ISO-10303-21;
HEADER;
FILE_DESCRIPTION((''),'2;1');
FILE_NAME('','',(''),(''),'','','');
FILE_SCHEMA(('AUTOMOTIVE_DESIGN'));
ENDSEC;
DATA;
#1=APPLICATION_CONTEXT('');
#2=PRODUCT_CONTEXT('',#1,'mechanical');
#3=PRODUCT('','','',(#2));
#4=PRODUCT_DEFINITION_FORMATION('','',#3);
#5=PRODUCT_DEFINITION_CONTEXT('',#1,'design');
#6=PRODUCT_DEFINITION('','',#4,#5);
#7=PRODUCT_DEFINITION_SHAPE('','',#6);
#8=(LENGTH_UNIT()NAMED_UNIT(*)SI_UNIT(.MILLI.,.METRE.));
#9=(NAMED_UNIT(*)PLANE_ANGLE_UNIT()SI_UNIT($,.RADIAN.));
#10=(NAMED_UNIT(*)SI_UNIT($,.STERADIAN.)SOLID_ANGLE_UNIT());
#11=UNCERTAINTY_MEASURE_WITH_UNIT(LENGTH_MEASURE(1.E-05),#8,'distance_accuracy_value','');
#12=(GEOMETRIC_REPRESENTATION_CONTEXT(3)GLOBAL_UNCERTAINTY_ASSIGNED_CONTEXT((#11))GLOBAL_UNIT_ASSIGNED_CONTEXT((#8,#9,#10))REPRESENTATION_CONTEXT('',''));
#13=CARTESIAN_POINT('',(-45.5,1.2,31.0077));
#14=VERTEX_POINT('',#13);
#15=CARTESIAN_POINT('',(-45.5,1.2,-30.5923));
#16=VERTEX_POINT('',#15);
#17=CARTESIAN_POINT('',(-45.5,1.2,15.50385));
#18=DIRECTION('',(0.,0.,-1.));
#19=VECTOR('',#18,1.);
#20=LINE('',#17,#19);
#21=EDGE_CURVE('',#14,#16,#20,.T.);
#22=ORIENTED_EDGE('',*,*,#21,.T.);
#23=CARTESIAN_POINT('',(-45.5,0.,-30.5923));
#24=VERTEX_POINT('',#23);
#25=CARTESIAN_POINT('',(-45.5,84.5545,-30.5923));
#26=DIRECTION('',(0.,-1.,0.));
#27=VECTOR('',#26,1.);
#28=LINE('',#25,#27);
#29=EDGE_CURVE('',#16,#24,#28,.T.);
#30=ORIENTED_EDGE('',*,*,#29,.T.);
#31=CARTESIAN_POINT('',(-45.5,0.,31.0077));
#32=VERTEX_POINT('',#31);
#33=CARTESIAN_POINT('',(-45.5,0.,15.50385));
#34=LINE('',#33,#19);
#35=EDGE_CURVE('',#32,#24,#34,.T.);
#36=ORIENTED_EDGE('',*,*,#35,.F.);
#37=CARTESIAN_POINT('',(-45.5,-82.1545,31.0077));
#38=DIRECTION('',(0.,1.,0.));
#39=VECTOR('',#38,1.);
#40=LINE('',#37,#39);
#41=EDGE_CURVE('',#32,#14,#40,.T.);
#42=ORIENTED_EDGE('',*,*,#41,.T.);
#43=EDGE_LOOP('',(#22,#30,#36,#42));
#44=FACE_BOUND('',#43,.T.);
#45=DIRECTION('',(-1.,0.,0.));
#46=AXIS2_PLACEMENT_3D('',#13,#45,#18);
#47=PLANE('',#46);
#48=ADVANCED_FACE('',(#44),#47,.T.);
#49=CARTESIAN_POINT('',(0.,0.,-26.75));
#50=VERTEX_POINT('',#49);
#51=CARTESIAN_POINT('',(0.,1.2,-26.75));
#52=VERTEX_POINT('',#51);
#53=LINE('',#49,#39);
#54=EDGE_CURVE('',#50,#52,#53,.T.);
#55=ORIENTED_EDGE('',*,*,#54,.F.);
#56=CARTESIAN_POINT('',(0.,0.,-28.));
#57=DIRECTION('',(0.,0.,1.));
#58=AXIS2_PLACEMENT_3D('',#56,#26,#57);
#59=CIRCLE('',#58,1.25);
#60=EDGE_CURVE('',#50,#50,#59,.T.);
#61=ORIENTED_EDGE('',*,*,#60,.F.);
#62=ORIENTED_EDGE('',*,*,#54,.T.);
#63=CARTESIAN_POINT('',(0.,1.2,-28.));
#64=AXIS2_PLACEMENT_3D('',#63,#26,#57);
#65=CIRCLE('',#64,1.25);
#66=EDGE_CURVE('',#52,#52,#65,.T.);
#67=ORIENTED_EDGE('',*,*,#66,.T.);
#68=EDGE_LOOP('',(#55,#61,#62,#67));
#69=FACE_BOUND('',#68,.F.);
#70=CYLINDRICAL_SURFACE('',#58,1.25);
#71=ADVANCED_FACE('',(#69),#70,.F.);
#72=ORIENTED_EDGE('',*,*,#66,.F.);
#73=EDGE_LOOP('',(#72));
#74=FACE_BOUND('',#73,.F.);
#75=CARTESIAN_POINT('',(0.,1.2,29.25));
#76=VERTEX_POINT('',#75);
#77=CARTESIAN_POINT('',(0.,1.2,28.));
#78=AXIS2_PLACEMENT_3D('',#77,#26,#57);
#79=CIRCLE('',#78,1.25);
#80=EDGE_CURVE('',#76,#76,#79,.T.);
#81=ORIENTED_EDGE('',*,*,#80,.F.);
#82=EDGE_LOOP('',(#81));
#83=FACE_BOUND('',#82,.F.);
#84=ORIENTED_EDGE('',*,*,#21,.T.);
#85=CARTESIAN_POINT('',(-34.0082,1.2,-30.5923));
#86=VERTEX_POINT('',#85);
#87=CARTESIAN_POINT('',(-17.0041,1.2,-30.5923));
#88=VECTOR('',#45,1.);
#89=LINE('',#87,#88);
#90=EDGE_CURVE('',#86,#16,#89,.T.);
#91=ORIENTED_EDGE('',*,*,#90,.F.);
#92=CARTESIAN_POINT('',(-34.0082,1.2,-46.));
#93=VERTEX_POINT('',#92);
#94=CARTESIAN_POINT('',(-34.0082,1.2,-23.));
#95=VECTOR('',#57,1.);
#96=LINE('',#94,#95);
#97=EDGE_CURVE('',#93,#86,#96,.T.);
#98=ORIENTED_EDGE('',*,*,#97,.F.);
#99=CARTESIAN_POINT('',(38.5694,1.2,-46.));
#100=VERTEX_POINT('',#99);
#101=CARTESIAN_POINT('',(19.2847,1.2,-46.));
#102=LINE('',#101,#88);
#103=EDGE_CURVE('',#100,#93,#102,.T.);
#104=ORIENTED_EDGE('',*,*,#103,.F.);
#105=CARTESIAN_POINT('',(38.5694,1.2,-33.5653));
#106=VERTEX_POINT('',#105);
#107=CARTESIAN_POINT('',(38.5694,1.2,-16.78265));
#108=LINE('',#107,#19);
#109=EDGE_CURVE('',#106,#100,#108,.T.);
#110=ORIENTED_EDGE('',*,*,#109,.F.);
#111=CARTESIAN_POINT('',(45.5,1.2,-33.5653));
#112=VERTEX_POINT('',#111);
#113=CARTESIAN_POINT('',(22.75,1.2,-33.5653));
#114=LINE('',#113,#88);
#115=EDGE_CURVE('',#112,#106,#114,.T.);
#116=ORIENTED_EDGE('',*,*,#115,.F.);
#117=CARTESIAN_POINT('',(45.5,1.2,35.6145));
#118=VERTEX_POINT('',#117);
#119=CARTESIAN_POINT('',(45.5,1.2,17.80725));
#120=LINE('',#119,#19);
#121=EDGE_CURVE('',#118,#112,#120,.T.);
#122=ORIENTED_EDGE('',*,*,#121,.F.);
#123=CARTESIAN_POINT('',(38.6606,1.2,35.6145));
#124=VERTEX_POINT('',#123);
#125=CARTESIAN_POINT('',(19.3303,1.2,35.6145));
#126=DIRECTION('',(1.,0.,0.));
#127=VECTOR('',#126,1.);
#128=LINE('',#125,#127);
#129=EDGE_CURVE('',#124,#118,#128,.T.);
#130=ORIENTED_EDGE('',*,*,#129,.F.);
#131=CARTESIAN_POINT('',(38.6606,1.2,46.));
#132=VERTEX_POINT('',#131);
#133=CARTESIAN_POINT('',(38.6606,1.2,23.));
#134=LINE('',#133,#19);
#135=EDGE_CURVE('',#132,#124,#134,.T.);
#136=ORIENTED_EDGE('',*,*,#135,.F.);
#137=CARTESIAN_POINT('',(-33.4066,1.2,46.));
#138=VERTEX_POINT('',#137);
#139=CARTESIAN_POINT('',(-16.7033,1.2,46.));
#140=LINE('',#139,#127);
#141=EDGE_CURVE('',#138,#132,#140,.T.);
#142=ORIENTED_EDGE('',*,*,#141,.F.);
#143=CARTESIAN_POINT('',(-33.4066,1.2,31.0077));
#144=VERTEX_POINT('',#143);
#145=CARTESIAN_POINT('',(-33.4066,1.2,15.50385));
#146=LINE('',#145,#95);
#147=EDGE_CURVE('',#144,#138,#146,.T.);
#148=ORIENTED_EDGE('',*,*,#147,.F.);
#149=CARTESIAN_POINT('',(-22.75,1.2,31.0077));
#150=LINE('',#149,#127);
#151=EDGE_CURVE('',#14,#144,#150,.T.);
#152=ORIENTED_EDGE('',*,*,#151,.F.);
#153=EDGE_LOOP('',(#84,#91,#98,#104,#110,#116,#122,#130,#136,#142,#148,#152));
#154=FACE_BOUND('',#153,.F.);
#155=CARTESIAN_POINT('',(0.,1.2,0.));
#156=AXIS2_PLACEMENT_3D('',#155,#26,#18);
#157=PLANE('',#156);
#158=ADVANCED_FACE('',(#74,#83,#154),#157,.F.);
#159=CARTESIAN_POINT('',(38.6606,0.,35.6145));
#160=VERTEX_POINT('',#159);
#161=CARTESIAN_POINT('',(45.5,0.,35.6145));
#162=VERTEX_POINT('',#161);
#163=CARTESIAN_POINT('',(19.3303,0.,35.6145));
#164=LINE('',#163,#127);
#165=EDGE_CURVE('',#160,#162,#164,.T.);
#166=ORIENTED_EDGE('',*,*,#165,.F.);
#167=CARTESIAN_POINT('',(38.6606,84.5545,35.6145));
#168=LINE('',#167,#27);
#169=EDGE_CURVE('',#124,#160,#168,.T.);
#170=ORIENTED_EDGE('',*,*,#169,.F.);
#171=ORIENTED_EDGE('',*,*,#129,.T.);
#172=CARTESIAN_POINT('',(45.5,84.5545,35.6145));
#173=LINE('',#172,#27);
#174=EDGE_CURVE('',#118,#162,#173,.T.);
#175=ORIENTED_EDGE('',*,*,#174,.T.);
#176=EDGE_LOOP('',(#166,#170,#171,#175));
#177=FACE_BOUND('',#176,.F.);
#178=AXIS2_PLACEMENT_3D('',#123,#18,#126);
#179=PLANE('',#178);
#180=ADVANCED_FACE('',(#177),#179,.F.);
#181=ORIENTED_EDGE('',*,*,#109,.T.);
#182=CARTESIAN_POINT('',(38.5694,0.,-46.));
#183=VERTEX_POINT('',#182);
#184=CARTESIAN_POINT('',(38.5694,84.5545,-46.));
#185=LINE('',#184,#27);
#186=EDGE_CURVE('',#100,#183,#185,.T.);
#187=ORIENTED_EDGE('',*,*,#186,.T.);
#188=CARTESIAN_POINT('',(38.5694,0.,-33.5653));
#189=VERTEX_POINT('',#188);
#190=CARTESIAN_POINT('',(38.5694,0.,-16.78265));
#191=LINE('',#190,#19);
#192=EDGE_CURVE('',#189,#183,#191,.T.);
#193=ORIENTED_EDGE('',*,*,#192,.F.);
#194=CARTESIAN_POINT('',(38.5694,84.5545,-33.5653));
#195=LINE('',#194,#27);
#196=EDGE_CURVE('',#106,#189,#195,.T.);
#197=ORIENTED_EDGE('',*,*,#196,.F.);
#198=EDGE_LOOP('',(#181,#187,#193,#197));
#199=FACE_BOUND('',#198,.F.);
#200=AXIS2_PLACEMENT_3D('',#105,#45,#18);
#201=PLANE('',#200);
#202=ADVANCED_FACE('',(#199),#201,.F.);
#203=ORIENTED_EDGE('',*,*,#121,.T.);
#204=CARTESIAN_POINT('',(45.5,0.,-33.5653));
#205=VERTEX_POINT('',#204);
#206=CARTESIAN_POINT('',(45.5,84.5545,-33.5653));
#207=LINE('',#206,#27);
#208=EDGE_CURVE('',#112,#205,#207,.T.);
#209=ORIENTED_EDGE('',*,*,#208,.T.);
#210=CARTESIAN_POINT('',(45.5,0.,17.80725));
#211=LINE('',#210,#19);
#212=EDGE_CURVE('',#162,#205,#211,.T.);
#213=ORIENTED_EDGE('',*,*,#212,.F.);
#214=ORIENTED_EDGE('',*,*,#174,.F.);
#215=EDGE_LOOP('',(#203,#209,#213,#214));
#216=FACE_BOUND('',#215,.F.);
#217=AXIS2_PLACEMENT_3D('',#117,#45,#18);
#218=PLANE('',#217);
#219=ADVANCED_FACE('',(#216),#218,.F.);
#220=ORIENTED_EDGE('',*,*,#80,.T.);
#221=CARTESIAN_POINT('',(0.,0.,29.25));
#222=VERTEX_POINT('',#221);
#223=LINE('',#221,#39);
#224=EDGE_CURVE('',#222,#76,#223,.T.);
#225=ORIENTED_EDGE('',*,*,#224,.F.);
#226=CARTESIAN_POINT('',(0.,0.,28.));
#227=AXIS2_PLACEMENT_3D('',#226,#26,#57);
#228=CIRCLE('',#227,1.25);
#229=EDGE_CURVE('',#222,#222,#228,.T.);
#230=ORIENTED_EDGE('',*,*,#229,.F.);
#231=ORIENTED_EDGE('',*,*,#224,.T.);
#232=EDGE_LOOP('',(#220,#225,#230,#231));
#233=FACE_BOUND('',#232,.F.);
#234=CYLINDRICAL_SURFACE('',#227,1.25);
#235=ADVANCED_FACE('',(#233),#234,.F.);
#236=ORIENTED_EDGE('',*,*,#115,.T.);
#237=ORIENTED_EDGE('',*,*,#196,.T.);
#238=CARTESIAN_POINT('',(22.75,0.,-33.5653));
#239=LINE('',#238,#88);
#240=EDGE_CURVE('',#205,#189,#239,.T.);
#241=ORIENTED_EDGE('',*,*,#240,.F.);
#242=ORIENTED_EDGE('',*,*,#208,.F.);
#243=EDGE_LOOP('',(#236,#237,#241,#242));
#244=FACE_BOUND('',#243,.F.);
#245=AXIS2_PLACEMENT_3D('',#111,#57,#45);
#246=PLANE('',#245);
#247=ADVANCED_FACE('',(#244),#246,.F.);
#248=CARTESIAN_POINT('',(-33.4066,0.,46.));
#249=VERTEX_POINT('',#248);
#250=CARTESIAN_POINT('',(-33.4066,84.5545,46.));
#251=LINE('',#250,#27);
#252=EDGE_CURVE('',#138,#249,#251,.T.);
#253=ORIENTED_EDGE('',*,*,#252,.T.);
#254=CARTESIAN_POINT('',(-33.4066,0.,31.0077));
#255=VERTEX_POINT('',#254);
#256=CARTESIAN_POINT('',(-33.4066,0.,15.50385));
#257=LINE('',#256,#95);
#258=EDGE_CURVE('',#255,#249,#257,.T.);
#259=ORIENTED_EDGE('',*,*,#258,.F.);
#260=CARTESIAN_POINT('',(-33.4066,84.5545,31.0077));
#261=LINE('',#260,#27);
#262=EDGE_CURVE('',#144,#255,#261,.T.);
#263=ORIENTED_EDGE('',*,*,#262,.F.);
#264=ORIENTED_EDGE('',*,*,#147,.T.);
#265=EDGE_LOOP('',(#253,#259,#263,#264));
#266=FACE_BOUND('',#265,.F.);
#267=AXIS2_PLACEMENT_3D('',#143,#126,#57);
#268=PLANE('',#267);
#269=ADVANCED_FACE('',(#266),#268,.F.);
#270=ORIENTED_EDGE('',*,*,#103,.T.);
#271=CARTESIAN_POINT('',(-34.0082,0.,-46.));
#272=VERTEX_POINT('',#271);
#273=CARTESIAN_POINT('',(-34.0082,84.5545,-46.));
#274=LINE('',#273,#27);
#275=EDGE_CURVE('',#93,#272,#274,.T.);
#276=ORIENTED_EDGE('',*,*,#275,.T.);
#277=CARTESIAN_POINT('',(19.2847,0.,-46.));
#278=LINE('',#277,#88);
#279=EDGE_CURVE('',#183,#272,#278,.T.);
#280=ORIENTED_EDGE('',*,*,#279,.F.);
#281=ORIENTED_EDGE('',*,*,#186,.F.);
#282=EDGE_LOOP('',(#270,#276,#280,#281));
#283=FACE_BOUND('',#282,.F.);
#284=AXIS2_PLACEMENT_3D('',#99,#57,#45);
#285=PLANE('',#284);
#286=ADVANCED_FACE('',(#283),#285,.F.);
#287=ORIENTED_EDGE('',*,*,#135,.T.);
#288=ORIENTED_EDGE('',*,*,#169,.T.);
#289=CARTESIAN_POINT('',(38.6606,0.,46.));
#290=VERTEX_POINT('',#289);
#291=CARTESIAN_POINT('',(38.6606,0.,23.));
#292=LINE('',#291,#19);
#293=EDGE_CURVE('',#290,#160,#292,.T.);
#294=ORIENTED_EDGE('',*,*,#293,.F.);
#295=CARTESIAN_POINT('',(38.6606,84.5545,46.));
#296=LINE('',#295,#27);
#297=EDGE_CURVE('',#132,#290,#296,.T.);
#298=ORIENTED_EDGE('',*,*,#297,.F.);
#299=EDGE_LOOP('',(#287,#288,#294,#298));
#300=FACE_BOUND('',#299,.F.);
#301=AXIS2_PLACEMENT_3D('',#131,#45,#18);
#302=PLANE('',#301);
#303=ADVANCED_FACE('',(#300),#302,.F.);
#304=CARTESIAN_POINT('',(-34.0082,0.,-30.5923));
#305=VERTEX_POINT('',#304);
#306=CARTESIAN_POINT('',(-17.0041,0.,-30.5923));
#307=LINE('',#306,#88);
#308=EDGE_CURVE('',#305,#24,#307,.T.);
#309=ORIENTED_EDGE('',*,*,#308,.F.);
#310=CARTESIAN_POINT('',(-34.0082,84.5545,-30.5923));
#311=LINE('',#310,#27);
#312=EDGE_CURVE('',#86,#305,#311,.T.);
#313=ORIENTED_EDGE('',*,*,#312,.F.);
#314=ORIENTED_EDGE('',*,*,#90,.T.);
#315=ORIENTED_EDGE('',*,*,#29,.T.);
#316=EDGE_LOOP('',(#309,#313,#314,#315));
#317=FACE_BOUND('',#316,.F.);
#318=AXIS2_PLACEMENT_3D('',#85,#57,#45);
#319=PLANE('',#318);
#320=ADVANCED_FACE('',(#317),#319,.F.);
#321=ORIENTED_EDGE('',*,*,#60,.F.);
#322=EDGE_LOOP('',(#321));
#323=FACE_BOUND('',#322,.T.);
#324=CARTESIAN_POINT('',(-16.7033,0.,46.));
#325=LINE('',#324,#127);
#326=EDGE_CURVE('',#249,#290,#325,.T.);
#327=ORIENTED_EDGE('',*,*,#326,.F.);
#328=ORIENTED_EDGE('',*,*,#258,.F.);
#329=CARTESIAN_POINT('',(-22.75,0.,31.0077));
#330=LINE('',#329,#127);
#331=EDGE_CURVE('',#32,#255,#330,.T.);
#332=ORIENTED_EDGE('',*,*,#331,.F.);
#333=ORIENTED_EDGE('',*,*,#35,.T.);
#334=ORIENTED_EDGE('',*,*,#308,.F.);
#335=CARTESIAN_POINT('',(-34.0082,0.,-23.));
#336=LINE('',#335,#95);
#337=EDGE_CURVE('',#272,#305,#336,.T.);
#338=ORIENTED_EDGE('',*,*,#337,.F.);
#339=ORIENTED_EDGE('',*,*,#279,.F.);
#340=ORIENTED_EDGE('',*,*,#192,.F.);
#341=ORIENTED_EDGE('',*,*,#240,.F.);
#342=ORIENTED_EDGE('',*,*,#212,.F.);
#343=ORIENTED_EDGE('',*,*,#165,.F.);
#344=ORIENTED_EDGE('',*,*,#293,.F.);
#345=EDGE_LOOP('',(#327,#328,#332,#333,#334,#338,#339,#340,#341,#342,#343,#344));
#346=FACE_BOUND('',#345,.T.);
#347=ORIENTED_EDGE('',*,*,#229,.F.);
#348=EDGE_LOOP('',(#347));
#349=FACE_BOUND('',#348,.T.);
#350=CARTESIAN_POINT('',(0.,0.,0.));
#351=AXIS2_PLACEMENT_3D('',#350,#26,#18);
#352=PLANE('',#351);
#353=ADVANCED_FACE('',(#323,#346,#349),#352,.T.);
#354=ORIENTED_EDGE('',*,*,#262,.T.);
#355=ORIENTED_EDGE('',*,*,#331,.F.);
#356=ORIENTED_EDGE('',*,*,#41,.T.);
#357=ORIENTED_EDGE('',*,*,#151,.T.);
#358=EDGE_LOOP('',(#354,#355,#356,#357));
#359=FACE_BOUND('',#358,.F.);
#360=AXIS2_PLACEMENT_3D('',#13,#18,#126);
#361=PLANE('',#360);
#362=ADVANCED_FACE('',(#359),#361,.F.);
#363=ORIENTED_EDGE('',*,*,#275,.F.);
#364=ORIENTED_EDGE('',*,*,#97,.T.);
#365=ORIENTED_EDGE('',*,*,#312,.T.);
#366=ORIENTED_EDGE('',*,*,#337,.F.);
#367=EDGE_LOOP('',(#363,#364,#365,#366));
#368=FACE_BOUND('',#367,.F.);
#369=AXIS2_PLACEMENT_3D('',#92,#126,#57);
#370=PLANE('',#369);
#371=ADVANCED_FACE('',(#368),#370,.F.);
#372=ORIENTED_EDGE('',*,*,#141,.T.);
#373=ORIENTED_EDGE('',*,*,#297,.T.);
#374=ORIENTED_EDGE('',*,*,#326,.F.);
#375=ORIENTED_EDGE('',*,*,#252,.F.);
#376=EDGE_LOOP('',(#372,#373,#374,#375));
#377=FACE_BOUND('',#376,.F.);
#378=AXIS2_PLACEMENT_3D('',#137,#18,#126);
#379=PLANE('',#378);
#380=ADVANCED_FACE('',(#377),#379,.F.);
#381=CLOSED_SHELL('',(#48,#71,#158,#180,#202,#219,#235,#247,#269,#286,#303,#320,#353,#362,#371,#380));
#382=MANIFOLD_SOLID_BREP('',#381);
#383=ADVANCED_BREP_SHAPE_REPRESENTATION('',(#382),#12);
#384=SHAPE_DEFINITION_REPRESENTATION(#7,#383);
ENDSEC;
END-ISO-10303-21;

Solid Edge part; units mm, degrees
sketch "Sketch1" plane through (0, 0, 0) normal (0, -1, 0) x (1, 0, 0)
  line L0 (-47, -47) -> (47, -47)
  line L1 (47, -47) -> (47, 47)
  line L2 (47, 47) -> (-47, 47)
  line L3 (-47, 47) -> (-47, -47)
  dimension "D1" = 47
  dimension "D2" = 47
  dimension "D3" = 47
  dimension "D4" = 47
extrude "Protrusion1" add sketch "Sketch1" against normal blind 1.2
sketch "Sketch2" plane through (0, 1.2, 0) normal (0, 1, 0) x (0, 0, -1)
  line L0 (-31.0077, 45.5) -> (-31.0077, 33.4066)
  line L1 (-31.0077, 33.4066) -> (-46, 33.4066)
  line L2 (-46, 33.4066) -> (-46, -38.6606)
  line L3 (-46, -38.6606) -> (-35.6145, -38.6606)
  line L4 (-35.6145, -38.6606) -> (-35.6145, -45.5)
  line L5 (-35.6145, -45.5) -> (33.5653, -45.5)
  line L6 (33.5653, -45.5) -> (33.5653, -38.5694)
  line L7 (33.5653, -38.5694) -> (46, -38.5694)
  line L8 (46, -38.5694) -> (46, 34.0082)
  line L9 (46, 34.0082) -> (30.5923, 34.0082)
  line L10 (30.5923, 34.0082) -> (30.5923, 44.4526)
  line L11 (30.5923, 45.5) -> (30.5923, 44.4526)
  line L12 (-31.0077, 45.5) -> (30.5923, 45.5)
  dimension "D1" = 1
  dimension "D2" = 1
  dimension "D3" = 1
  dimension "D4" = 1
  dimension "D5" = 1
  dimension "D6" = 1
  dimension "D7" = 1
  dimension "D8" = 1
  dimension "D9" = 1
  dimension "D10" = 1
extrude "Cutout1" cut sketch "Sketch2" along normal mid plane 166.709 flip side to cut
sketch "Sketch3" plane through (0, 0, 0) normal (0, -1, 0) x (0, 0, 1)
  circle A0 centre (28, 0) radius 1.25
  dimension "D1" = 18
extrude "ExtrudedCutout_4" cut sketch "Sketch3" along normal mid plane 57.9991
sketch "Sketch4" plane through (0, 0, 0) normal (0, -1, 0) x (0, 0, 1)
  circle A0 centre (-28, 0) radius 1.25
  dimension "D1" = 18
extrude "ExtrudedCutout_5" cut sketch "Sketch4" along normal mid plane 49.1039
properties material "Epoxy, cast rigid"
